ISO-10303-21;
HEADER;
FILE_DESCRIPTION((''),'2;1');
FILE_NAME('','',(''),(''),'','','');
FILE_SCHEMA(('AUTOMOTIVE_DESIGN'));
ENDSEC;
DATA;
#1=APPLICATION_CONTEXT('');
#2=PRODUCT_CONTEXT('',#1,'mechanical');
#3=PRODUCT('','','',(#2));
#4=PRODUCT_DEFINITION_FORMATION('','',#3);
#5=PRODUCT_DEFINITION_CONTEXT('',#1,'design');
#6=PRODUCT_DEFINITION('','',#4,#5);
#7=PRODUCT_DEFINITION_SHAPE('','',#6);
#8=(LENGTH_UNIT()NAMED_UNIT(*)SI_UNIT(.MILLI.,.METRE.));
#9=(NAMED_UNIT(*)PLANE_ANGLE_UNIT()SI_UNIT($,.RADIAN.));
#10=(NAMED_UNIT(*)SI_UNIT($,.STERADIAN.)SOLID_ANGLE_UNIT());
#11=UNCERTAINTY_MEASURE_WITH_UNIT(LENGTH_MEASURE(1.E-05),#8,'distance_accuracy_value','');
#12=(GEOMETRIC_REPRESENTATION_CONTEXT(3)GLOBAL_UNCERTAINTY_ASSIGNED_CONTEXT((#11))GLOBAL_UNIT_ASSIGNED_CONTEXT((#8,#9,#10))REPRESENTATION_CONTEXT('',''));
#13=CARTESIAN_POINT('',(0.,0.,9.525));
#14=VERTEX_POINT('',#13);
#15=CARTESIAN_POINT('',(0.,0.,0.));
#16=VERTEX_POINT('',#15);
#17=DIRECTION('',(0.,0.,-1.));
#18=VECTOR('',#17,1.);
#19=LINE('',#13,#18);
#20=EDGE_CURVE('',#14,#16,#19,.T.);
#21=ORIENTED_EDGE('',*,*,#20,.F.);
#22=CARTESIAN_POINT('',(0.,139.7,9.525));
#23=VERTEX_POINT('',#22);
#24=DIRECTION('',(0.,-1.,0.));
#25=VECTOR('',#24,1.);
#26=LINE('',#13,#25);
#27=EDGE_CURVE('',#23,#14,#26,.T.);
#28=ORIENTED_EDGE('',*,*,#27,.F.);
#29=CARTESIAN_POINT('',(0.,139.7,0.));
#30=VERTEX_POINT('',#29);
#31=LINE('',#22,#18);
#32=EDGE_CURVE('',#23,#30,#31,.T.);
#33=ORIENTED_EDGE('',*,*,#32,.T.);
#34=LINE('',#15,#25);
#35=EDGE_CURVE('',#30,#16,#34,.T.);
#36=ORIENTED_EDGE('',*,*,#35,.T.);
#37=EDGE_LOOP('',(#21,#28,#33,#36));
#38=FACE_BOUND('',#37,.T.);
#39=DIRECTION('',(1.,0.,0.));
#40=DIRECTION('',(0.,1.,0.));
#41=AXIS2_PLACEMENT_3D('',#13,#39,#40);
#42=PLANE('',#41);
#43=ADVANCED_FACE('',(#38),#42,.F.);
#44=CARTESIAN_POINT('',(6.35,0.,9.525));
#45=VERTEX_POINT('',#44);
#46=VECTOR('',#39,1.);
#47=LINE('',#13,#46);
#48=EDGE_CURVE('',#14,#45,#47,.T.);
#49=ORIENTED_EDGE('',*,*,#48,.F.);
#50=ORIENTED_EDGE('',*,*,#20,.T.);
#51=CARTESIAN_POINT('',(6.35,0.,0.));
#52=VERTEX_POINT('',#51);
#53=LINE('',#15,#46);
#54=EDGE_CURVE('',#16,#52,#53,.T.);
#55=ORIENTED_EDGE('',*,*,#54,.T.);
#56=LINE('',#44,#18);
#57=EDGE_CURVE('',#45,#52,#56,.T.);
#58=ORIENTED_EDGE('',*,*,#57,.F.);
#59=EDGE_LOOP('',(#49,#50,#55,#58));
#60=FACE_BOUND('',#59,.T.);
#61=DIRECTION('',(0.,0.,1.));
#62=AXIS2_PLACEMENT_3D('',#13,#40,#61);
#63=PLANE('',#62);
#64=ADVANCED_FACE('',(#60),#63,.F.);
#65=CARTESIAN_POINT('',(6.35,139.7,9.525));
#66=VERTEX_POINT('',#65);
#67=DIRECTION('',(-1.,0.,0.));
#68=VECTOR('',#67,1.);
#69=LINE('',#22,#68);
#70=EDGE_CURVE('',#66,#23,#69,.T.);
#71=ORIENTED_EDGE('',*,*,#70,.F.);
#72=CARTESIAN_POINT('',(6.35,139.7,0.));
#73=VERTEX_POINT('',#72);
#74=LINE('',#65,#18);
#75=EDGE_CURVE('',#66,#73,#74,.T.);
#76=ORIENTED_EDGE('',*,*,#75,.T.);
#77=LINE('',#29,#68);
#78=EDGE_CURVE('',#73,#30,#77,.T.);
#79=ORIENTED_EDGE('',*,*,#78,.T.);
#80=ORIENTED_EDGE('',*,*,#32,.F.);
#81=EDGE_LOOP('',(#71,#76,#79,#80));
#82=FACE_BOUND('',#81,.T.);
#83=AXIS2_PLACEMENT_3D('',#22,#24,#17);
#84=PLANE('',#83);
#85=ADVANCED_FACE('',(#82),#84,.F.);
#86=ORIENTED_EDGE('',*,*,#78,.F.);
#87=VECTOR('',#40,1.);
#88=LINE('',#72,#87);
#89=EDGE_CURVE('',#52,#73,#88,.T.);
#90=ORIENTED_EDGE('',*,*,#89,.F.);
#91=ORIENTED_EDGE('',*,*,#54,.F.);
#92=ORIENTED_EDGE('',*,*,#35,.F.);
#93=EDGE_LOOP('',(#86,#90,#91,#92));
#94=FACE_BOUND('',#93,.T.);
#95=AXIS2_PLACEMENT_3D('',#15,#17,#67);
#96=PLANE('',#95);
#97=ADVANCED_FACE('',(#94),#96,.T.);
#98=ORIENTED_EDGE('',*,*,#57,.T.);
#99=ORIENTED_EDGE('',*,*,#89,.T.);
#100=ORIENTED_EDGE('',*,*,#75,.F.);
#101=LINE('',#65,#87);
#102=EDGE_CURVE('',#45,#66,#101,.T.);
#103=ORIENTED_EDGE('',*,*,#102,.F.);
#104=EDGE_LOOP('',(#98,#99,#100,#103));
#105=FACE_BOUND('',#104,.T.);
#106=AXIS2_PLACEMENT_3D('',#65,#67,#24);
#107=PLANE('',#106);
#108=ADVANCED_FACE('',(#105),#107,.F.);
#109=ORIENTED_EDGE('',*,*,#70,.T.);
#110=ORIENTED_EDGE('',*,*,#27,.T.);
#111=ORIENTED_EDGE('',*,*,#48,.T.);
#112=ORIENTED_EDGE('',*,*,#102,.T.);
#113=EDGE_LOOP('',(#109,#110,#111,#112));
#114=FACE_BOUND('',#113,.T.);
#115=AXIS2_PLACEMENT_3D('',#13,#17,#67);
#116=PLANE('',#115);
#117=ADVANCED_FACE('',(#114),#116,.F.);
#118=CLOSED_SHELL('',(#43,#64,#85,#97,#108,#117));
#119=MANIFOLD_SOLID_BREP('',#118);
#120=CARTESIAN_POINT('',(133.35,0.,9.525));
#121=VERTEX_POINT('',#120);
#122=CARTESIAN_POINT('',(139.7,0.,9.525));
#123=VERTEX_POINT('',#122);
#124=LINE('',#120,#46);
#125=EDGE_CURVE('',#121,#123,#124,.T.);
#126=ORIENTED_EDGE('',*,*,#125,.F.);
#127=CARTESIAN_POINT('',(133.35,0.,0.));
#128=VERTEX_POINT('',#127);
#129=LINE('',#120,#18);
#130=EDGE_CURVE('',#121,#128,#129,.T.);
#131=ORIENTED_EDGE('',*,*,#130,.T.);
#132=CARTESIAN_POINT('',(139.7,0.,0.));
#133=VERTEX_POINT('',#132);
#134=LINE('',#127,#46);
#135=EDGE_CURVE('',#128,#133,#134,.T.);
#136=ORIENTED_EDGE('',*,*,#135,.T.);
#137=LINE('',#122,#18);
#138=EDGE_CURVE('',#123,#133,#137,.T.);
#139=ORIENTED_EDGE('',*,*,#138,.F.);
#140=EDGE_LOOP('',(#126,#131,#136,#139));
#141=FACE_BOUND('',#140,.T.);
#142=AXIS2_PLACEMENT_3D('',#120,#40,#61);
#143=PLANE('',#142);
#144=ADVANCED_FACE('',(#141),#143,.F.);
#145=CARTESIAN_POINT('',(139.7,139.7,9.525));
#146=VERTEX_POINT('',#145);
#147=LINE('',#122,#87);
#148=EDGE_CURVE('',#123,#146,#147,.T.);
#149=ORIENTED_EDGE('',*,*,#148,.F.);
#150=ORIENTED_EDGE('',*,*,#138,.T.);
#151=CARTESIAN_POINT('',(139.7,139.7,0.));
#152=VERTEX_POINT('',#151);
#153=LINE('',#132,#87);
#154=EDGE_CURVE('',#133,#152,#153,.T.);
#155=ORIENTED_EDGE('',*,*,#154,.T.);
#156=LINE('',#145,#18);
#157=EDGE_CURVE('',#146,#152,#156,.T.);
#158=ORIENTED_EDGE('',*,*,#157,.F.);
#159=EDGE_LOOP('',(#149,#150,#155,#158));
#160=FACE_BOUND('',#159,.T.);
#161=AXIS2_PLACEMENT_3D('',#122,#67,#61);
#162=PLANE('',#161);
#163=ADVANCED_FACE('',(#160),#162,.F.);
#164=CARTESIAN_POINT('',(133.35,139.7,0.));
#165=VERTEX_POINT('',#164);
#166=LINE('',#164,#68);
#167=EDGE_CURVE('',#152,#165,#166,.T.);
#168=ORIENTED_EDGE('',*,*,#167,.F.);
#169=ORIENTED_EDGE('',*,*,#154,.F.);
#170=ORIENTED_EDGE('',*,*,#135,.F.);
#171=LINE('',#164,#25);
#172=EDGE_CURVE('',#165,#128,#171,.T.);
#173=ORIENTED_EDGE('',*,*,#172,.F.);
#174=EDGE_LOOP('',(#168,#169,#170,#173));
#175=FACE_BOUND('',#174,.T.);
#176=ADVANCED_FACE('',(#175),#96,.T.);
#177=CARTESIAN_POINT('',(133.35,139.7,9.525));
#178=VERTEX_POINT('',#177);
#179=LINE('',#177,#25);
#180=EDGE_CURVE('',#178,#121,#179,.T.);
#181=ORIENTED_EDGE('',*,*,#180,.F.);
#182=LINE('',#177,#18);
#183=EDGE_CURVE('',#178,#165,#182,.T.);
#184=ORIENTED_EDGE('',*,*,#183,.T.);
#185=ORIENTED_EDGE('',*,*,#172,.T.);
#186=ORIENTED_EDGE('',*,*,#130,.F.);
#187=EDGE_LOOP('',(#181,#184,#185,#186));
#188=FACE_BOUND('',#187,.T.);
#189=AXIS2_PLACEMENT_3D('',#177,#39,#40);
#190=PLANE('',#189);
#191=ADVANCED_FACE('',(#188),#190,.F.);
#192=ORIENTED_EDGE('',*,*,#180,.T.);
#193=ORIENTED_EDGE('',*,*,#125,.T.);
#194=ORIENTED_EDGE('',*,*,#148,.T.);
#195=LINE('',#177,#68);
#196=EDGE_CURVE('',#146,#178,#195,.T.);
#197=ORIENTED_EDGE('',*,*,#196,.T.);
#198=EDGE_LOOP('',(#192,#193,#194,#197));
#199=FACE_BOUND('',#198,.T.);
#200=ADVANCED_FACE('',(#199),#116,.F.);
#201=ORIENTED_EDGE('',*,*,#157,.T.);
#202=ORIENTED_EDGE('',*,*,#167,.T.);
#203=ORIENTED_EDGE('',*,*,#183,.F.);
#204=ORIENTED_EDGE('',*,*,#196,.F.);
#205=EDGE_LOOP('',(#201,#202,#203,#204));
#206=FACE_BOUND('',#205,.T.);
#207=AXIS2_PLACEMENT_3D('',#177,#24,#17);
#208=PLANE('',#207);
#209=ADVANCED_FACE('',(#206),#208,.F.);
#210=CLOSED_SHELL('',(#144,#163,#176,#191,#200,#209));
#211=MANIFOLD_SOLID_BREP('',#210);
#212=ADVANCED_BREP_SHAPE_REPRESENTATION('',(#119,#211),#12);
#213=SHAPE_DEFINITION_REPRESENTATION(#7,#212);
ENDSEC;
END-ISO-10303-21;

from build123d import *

# Parameters (mm, degrees)
SKETCH1_W             = 6.35
SKETCH1_H             = 139.7
BOSS_EXTRUDE1_DEPTH   = 9.525
BOSS_EXTRUDE1_2_DEPTH = 9.525


with BuildPart() as part:
    # Sketch1 → Boss-Extrude1 (new body)
    with BuildSketch(Plane.XY):
        with Locations((3.175, 69.85)):
            Rectangle(SKETCH1_W, SKETCH1_H)
    extrude(amount=BOSS_EXTRUDE1_DEPTH)


with BuildPart() as body_2:
    # Sketch1 → Boss-Extrude1 2 (new body)
    with BuildSketch(Plane.XY):
        with Locations((136.525, 69.85)):
            Rectangle(SKETCH1_W, SKETCH1_H)
    extrude(amount=BOSS_EXTRUDE1_2_DEPTH)


solid = Compound([part.part, body_2.part])
